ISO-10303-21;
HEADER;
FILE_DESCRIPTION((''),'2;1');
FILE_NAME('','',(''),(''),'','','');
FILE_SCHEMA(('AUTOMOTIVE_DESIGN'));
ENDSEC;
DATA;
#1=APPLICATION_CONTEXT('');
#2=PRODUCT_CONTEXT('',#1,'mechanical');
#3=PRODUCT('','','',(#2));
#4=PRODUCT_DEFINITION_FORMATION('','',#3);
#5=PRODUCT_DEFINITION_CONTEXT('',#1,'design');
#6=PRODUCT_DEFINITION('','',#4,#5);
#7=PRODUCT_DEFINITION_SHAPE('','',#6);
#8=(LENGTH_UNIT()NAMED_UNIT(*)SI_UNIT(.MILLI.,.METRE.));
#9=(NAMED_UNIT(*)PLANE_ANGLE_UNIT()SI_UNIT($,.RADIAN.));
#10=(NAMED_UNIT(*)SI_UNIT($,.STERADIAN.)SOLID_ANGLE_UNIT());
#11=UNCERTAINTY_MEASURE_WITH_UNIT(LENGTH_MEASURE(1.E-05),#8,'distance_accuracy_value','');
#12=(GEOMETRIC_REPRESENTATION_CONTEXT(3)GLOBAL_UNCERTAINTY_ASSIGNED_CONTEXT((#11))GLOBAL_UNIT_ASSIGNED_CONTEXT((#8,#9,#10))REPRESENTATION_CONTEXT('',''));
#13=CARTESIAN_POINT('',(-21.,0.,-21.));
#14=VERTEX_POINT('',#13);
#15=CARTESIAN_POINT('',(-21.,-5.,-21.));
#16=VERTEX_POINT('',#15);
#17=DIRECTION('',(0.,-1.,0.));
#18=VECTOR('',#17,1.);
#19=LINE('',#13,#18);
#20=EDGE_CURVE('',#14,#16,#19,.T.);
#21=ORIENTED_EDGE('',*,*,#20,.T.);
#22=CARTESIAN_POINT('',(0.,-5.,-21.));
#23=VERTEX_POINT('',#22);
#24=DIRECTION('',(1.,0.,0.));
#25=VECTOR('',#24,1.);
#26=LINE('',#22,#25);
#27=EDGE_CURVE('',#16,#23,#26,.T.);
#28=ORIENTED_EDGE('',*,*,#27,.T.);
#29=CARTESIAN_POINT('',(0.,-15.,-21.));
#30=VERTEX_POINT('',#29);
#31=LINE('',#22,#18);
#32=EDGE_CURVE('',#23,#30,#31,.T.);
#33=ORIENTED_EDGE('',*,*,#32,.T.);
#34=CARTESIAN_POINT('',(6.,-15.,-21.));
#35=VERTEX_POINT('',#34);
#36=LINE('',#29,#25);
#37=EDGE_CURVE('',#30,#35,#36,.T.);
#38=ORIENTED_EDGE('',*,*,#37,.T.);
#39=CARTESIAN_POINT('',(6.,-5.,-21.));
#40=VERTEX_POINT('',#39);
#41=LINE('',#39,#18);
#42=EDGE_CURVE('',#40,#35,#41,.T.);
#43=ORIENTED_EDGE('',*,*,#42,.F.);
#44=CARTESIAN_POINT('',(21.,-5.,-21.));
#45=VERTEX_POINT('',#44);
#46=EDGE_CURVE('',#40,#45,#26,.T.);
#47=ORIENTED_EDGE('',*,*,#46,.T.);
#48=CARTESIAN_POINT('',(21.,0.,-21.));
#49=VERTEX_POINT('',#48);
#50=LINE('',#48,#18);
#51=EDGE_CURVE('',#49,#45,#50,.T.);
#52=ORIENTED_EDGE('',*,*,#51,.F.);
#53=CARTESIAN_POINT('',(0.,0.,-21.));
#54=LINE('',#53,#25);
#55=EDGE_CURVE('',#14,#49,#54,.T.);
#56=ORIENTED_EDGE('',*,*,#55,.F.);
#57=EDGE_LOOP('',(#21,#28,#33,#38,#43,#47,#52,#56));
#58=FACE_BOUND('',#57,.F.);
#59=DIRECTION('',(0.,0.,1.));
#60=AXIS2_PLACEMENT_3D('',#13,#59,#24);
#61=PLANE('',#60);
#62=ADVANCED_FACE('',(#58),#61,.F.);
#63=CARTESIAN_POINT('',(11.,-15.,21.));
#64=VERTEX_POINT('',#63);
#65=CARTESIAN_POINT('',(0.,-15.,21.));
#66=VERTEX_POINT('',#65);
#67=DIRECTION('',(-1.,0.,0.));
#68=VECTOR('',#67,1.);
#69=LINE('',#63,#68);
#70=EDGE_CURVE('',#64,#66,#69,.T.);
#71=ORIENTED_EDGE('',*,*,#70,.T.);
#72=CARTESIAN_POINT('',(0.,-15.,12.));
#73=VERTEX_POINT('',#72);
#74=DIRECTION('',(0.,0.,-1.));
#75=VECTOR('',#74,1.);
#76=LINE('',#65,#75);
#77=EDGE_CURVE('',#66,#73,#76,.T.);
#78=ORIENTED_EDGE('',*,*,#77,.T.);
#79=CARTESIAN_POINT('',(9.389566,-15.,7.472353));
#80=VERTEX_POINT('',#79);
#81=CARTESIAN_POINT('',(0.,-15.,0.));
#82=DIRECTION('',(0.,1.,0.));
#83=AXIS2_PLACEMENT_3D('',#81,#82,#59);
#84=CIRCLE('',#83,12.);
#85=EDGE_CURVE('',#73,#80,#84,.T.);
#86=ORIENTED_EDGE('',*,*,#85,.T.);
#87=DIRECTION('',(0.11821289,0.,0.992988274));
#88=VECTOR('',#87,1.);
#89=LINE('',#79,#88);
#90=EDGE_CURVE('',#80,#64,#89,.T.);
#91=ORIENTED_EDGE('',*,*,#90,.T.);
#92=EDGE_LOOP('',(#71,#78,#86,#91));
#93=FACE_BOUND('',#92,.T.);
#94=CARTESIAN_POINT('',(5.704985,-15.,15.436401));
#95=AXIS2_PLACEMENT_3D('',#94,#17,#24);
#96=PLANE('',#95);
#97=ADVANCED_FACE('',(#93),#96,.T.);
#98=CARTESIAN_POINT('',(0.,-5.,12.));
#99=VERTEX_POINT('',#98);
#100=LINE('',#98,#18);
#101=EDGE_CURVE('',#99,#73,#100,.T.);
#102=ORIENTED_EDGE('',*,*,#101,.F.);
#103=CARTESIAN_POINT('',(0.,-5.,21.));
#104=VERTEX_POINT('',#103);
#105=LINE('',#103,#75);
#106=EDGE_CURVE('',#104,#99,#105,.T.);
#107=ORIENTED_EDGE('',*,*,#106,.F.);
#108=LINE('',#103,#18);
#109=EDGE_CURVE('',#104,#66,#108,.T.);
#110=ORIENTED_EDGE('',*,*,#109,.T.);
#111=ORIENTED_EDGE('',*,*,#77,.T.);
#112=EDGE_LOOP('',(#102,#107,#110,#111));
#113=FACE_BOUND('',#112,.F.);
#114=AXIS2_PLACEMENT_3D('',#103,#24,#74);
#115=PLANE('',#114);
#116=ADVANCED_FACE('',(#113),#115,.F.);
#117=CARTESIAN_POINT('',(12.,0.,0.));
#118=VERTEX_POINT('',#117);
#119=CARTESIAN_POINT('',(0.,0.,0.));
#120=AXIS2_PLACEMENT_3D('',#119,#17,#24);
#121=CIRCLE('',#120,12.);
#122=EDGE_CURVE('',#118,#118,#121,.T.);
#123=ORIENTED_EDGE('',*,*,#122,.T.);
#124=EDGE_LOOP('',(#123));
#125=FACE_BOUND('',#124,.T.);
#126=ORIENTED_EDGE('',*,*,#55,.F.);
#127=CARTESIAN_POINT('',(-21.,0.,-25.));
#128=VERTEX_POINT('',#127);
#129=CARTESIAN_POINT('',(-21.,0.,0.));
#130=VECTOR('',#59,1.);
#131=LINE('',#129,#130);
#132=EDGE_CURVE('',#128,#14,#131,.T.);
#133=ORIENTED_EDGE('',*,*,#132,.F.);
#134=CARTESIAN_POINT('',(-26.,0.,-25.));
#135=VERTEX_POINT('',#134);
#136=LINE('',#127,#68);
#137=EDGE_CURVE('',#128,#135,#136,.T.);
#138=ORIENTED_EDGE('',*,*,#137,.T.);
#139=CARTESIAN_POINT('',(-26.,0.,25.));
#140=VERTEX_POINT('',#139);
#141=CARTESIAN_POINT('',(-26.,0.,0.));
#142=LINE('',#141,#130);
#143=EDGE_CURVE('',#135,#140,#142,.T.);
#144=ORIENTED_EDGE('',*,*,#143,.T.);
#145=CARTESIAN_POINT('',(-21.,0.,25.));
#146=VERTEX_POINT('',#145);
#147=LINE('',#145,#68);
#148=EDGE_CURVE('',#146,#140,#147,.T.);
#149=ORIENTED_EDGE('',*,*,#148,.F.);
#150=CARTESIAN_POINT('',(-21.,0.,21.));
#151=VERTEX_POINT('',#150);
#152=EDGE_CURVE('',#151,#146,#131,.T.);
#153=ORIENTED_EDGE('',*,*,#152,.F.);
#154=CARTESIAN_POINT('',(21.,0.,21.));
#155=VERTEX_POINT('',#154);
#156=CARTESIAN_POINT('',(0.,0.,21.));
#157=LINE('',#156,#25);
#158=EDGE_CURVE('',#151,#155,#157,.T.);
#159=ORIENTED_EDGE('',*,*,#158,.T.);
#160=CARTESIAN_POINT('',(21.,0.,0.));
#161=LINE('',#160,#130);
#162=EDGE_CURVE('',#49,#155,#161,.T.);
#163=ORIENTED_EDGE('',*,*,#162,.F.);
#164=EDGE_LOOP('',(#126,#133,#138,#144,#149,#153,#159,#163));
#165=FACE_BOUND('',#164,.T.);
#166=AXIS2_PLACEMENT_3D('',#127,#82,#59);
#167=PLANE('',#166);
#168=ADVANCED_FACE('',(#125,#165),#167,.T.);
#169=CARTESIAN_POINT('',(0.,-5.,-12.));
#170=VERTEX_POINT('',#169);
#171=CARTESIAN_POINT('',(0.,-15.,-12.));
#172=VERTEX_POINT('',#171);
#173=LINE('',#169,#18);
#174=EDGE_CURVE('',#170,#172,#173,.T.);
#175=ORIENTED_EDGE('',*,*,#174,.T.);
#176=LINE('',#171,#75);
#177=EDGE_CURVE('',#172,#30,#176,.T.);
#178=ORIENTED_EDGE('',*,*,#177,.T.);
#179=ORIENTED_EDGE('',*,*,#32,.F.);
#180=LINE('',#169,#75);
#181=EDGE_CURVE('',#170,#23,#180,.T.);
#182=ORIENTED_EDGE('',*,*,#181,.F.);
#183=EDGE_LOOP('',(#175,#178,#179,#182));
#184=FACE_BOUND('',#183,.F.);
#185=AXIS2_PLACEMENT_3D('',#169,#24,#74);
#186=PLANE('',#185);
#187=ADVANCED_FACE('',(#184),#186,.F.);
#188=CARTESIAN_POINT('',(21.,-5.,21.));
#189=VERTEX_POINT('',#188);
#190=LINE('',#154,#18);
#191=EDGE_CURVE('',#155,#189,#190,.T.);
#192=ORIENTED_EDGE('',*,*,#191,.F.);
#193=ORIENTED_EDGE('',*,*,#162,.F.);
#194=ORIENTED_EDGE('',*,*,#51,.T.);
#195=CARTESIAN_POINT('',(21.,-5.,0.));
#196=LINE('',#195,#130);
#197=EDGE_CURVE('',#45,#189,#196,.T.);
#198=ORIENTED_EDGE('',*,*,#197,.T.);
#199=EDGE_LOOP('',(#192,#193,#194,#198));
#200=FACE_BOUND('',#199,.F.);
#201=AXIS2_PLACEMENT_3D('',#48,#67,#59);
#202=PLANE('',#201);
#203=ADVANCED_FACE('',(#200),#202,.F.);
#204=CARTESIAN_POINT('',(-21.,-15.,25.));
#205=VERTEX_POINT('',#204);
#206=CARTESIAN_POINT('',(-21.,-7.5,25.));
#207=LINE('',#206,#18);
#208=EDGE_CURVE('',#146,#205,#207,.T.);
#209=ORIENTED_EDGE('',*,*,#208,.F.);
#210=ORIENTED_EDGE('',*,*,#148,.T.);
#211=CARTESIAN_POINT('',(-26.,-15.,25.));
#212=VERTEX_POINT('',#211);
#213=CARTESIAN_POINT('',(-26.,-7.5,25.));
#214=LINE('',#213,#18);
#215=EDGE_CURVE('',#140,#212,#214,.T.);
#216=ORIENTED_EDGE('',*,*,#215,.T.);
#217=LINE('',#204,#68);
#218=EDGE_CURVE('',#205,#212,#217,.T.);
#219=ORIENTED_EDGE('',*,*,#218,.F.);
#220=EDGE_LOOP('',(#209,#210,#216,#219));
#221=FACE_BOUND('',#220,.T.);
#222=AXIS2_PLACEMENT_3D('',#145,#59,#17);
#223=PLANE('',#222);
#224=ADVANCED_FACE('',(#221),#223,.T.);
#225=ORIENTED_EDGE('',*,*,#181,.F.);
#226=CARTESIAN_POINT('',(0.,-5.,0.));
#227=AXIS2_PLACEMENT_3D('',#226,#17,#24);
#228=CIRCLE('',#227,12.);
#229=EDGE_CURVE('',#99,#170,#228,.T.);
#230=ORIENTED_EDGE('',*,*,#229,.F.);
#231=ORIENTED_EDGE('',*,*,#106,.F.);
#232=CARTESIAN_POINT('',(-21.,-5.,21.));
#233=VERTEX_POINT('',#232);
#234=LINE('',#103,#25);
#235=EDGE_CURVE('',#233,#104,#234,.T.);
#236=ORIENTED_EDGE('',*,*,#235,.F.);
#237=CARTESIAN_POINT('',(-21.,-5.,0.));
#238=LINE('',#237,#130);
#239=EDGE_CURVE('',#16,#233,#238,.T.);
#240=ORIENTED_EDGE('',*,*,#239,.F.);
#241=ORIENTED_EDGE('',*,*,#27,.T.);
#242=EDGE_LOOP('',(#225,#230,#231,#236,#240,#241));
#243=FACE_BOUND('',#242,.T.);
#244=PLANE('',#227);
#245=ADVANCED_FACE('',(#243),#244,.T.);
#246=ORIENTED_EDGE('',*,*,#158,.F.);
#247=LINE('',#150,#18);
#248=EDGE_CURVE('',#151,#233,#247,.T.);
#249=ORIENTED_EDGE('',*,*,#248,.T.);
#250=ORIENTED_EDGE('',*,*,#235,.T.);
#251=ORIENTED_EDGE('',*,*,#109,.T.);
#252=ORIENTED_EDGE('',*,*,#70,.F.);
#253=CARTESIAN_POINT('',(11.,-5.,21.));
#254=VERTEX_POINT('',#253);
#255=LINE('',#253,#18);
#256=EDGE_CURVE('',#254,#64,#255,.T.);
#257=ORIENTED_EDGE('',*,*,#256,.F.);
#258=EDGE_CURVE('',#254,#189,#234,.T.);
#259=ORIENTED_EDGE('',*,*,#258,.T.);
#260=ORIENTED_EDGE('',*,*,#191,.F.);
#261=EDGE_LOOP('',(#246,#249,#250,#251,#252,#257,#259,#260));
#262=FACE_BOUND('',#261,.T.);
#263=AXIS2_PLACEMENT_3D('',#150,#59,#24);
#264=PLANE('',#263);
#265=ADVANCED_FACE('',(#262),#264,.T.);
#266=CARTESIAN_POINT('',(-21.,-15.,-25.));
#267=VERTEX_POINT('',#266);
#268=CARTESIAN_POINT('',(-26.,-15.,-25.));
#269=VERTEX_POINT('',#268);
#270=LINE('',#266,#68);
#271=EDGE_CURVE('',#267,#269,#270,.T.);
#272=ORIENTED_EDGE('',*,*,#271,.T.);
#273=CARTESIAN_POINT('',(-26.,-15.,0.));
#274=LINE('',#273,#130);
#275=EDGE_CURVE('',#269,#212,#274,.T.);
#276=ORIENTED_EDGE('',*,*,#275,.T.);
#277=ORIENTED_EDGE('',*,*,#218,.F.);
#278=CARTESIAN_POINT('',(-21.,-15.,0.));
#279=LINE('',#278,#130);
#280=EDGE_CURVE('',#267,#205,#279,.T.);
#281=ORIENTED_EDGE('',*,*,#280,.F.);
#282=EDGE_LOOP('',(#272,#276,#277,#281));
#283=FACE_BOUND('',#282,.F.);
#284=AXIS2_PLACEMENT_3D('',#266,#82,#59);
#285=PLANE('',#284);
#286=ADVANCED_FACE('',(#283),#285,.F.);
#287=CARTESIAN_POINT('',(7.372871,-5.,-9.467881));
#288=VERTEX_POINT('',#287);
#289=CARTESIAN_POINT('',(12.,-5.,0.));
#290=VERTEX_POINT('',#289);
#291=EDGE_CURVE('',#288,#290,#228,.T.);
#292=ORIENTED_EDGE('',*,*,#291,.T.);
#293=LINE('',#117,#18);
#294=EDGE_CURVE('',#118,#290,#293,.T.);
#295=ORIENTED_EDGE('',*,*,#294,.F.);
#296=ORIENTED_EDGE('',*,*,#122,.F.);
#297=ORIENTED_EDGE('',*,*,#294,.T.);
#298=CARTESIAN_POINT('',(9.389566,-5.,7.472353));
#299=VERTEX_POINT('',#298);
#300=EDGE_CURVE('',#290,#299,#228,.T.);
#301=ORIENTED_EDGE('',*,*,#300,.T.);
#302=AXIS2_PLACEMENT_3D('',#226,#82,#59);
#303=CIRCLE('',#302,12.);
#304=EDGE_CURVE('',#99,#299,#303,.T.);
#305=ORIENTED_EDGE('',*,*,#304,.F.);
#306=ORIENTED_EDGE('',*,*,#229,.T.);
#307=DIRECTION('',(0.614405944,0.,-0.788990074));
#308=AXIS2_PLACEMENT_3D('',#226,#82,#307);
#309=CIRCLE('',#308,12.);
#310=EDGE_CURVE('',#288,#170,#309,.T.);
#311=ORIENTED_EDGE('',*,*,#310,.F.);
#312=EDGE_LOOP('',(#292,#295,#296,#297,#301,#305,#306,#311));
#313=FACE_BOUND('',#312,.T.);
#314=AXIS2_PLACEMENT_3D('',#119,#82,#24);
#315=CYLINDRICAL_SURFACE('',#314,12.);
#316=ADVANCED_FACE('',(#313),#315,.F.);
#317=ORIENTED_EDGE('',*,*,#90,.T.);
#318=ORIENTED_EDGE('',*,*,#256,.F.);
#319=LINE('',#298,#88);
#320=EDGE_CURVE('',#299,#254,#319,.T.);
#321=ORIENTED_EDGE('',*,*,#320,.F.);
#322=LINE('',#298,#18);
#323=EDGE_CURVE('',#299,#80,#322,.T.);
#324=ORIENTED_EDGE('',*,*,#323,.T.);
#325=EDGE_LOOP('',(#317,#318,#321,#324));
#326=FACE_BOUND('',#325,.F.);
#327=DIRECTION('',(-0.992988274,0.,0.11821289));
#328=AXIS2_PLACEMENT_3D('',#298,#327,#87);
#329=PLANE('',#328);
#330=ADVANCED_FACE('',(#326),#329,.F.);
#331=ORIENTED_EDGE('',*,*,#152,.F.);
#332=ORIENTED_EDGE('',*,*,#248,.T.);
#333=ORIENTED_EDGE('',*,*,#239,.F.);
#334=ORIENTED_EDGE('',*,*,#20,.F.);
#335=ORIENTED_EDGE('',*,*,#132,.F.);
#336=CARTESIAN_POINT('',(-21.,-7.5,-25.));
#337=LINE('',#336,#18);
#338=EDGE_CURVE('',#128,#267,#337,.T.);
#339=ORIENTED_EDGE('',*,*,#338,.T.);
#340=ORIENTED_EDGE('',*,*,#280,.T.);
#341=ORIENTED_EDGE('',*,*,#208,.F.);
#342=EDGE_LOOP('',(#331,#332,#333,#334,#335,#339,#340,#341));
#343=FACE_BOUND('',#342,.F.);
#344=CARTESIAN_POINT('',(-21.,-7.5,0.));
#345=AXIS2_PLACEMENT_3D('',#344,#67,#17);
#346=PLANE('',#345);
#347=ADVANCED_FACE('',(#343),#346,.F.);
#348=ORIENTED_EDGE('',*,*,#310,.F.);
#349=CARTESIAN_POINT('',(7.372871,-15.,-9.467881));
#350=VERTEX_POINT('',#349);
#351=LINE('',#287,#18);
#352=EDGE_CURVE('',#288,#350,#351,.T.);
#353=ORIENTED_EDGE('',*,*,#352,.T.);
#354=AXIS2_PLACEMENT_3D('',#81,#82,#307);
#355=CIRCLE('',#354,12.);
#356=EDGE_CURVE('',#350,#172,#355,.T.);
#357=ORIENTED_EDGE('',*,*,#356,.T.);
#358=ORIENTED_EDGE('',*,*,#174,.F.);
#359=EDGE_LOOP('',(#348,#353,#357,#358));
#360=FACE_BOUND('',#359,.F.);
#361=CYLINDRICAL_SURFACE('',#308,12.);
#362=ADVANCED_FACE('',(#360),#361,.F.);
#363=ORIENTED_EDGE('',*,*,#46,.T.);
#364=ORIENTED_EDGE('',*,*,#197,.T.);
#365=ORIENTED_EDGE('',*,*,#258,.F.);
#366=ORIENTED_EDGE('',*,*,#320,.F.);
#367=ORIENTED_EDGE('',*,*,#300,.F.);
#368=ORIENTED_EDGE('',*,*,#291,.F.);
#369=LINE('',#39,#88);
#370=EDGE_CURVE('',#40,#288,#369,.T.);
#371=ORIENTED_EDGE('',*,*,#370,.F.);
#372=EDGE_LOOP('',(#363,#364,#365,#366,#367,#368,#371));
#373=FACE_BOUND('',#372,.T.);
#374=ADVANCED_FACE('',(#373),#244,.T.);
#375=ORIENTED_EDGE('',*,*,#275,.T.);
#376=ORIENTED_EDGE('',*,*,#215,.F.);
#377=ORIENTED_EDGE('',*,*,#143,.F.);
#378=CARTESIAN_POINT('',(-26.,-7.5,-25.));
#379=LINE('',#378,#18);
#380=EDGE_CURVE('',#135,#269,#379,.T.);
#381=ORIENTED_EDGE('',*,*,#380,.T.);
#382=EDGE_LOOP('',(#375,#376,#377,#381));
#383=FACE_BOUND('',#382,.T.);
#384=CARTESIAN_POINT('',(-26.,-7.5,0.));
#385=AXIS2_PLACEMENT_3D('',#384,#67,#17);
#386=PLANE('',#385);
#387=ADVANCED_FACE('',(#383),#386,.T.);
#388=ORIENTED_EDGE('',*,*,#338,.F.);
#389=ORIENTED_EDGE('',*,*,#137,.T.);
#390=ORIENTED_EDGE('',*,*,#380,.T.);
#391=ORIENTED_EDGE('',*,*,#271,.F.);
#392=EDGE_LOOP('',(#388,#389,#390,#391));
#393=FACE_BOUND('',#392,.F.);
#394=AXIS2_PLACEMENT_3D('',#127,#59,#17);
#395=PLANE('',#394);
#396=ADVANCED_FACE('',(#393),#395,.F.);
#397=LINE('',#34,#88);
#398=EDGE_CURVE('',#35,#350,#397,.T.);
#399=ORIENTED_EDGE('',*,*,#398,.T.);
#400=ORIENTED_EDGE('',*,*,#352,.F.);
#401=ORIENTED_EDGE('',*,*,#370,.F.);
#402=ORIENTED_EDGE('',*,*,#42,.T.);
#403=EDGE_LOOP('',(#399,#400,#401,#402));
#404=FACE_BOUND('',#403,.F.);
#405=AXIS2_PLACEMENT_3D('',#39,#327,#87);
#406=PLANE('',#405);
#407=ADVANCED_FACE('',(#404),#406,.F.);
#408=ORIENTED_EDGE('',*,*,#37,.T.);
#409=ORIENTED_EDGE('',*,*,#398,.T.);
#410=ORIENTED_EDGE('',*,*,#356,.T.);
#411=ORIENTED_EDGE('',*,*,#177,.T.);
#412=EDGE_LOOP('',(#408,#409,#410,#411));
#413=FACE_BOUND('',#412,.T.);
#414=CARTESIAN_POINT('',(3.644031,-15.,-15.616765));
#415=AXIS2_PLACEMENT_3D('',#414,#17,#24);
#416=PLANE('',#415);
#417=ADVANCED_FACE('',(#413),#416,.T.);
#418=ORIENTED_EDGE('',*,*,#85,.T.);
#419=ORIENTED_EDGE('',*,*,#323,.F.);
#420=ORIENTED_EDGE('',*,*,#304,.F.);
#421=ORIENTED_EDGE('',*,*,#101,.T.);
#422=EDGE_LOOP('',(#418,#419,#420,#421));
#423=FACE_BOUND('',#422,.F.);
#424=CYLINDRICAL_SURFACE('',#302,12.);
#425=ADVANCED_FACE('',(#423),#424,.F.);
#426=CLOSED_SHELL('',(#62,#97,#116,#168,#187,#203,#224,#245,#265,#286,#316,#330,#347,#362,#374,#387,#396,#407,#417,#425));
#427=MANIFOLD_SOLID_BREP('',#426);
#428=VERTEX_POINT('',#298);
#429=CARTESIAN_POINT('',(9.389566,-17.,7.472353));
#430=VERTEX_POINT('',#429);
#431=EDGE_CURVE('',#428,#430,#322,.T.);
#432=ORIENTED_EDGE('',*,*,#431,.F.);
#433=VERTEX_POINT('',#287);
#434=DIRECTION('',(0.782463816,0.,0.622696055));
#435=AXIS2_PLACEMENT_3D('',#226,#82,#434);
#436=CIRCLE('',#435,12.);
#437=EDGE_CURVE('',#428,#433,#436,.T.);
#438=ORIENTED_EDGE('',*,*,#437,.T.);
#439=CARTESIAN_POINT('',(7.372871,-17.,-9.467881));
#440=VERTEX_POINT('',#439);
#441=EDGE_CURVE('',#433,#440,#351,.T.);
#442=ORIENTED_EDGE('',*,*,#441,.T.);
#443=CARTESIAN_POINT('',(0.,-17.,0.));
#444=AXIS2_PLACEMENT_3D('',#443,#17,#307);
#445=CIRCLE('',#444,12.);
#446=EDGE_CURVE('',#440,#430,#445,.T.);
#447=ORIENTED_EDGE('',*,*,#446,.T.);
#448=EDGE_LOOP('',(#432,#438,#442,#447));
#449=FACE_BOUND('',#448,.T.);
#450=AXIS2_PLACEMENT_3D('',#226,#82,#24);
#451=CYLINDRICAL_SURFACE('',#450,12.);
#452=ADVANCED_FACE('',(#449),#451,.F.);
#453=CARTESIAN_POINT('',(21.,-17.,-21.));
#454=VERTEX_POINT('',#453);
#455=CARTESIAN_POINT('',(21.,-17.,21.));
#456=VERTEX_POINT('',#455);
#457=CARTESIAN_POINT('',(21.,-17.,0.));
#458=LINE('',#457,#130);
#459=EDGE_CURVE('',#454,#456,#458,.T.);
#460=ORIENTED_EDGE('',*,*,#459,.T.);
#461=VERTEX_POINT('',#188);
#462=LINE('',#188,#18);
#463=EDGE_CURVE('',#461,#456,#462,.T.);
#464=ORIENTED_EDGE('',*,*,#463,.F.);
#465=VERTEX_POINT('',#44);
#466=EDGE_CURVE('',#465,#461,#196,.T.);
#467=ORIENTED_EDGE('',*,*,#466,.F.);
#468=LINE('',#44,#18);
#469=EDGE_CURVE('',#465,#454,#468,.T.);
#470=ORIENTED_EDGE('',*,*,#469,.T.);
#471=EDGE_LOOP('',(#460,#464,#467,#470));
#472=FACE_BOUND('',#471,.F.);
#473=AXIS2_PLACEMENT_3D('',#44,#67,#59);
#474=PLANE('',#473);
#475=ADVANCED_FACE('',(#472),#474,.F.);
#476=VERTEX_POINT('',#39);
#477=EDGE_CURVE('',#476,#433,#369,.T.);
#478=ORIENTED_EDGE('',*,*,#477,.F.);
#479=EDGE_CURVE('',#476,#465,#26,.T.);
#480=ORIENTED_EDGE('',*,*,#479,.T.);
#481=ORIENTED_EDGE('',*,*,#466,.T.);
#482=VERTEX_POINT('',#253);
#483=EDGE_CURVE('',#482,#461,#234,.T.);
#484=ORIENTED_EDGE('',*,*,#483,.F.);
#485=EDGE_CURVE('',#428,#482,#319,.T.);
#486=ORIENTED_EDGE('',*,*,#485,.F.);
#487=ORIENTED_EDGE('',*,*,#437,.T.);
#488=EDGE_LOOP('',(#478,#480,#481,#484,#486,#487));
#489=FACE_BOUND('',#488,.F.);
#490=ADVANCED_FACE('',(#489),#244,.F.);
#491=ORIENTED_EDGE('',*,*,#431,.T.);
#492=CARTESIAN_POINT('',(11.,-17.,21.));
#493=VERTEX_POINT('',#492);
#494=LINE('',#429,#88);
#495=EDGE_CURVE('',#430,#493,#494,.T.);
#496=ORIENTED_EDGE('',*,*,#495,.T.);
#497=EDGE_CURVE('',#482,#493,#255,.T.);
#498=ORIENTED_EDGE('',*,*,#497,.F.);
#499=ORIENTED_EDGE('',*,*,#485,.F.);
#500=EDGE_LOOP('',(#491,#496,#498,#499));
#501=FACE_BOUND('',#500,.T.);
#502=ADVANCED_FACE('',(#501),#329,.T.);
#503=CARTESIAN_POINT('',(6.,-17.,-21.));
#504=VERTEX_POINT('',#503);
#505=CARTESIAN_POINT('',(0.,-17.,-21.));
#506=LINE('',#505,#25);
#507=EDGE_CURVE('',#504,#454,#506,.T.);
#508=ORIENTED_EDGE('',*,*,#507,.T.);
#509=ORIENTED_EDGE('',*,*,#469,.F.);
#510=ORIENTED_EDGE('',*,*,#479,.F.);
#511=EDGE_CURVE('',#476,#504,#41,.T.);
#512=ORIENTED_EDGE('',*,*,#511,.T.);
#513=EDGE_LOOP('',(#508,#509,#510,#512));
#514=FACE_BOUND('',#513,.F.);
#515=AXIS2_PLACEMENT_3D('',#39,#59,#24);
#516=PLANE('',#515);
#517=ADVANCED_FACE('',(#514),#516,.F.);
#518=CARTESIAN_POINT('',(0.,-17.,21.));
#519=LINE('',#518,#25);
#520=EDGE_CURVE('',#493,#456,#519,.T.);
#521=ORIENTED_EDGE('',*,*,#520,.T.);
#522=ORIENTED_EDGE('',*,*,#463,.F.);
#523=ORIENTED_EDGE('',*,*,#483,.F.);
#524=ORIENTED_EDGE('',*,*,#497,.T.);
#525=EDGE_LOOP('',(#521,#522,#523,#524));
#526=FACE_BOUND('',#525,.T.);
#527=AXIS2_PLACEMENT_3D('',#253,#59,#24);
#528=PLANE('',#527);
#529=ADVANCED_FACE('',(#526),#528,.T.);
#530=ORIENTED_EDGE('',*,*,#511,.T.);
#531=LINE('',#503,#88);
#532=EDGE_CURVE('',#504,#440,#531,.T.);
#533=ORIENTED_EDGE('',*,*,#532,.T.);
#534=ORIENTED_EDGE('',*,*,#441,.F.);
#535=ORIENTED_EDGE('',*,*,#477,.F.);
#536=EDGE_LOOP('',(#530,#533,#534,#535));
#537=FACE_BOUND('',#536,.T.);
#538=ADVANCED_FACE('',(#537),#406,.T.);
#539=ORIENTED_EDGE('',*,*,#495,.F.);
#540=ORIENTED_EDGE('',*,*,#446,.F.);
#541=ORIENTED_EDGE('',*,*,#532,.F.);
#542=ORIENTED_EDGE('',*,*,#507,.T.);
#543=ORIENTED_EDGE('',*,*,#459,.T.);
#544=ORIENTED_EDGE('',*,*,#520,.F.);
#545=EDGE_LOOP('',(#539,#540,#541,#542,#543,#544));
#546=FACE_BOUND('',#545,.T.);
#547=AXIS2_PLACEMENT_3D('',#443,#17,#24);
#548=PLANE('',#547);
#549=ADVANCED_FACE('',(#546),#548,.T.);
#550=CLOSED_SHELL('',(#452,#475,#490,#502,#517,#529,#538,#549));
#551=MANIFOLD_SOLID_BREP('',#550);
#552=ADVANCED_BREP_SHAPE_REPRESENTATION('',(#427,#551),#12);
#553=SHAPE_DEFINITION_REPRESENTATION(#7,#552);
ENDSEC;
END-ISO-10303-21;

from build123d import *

# Parameters (mm, degrees)
F0_W     = 42
F0_H     = 42
F0_R     = 12
F1_DEPTH = 5
F2_W     = 15
F2_H     = 50
F3_DEPTH = 5
F5_DEPTH = 10
F6_DEPTH = 12


with BuildPart() as f1:
    # F0 (on Front) → F1 (new body)
    with BuildSketch(Plane.XZ):
        Rectangle(F0_W, F0_H)
        Circle(F0_R, mode=Mode.SUBTRACT)
    extrude(amount=F1_DEPTH)

    # F2 (on face) → F3 (join)
    with BuildSketch(Plane(origin=(-21, 0, 0), x_dir=(0, -1, 0), z_dir=(-1, 0, 0))):
        with Locations((7.5, 0)):
            Rectangle(F2_W, F2_H)
    extrude(amount=F3_DEPTH)

    # F4 (on face) → F5 (join)
    with BuildSketch(Plane.XZ.offset(5)):
        with BuildLine():
            Line((9.3895657925, 7.4723526569), (11, 21))
            Line((11, 21), (0, 21))
            Line((0, 21), (0, 12))
            ThreePointArc((0, 12), (5.2120901814, 10.8089831132), (9.3895657925, 7.4723526569))
        make_face()
        with BuildLine():
            Line((6, -21), (7.3728713232, -9.4678808849))
            ThreePointArc((7.3728713232, -9.4678808849), (3.8977833047, -11.3493297295), (0, -12))
            Line((0, -12), (0, -21))
            Line((0, -21), (6, -21))
        make_face()
    extrude(amount=F5_DEPTH)


with BuildPart() as f6:
    # F6 (new): a face of the model
    f6_faces = [f1.part.faces().sort_by_distance(p)[0] for p in [
        (15.0870554418, -5, -1.4200647771),
    ]]
    extrude(f6_faces, amount=F6_DEPTH)


solid = Compound([f1.part, f6.part])
